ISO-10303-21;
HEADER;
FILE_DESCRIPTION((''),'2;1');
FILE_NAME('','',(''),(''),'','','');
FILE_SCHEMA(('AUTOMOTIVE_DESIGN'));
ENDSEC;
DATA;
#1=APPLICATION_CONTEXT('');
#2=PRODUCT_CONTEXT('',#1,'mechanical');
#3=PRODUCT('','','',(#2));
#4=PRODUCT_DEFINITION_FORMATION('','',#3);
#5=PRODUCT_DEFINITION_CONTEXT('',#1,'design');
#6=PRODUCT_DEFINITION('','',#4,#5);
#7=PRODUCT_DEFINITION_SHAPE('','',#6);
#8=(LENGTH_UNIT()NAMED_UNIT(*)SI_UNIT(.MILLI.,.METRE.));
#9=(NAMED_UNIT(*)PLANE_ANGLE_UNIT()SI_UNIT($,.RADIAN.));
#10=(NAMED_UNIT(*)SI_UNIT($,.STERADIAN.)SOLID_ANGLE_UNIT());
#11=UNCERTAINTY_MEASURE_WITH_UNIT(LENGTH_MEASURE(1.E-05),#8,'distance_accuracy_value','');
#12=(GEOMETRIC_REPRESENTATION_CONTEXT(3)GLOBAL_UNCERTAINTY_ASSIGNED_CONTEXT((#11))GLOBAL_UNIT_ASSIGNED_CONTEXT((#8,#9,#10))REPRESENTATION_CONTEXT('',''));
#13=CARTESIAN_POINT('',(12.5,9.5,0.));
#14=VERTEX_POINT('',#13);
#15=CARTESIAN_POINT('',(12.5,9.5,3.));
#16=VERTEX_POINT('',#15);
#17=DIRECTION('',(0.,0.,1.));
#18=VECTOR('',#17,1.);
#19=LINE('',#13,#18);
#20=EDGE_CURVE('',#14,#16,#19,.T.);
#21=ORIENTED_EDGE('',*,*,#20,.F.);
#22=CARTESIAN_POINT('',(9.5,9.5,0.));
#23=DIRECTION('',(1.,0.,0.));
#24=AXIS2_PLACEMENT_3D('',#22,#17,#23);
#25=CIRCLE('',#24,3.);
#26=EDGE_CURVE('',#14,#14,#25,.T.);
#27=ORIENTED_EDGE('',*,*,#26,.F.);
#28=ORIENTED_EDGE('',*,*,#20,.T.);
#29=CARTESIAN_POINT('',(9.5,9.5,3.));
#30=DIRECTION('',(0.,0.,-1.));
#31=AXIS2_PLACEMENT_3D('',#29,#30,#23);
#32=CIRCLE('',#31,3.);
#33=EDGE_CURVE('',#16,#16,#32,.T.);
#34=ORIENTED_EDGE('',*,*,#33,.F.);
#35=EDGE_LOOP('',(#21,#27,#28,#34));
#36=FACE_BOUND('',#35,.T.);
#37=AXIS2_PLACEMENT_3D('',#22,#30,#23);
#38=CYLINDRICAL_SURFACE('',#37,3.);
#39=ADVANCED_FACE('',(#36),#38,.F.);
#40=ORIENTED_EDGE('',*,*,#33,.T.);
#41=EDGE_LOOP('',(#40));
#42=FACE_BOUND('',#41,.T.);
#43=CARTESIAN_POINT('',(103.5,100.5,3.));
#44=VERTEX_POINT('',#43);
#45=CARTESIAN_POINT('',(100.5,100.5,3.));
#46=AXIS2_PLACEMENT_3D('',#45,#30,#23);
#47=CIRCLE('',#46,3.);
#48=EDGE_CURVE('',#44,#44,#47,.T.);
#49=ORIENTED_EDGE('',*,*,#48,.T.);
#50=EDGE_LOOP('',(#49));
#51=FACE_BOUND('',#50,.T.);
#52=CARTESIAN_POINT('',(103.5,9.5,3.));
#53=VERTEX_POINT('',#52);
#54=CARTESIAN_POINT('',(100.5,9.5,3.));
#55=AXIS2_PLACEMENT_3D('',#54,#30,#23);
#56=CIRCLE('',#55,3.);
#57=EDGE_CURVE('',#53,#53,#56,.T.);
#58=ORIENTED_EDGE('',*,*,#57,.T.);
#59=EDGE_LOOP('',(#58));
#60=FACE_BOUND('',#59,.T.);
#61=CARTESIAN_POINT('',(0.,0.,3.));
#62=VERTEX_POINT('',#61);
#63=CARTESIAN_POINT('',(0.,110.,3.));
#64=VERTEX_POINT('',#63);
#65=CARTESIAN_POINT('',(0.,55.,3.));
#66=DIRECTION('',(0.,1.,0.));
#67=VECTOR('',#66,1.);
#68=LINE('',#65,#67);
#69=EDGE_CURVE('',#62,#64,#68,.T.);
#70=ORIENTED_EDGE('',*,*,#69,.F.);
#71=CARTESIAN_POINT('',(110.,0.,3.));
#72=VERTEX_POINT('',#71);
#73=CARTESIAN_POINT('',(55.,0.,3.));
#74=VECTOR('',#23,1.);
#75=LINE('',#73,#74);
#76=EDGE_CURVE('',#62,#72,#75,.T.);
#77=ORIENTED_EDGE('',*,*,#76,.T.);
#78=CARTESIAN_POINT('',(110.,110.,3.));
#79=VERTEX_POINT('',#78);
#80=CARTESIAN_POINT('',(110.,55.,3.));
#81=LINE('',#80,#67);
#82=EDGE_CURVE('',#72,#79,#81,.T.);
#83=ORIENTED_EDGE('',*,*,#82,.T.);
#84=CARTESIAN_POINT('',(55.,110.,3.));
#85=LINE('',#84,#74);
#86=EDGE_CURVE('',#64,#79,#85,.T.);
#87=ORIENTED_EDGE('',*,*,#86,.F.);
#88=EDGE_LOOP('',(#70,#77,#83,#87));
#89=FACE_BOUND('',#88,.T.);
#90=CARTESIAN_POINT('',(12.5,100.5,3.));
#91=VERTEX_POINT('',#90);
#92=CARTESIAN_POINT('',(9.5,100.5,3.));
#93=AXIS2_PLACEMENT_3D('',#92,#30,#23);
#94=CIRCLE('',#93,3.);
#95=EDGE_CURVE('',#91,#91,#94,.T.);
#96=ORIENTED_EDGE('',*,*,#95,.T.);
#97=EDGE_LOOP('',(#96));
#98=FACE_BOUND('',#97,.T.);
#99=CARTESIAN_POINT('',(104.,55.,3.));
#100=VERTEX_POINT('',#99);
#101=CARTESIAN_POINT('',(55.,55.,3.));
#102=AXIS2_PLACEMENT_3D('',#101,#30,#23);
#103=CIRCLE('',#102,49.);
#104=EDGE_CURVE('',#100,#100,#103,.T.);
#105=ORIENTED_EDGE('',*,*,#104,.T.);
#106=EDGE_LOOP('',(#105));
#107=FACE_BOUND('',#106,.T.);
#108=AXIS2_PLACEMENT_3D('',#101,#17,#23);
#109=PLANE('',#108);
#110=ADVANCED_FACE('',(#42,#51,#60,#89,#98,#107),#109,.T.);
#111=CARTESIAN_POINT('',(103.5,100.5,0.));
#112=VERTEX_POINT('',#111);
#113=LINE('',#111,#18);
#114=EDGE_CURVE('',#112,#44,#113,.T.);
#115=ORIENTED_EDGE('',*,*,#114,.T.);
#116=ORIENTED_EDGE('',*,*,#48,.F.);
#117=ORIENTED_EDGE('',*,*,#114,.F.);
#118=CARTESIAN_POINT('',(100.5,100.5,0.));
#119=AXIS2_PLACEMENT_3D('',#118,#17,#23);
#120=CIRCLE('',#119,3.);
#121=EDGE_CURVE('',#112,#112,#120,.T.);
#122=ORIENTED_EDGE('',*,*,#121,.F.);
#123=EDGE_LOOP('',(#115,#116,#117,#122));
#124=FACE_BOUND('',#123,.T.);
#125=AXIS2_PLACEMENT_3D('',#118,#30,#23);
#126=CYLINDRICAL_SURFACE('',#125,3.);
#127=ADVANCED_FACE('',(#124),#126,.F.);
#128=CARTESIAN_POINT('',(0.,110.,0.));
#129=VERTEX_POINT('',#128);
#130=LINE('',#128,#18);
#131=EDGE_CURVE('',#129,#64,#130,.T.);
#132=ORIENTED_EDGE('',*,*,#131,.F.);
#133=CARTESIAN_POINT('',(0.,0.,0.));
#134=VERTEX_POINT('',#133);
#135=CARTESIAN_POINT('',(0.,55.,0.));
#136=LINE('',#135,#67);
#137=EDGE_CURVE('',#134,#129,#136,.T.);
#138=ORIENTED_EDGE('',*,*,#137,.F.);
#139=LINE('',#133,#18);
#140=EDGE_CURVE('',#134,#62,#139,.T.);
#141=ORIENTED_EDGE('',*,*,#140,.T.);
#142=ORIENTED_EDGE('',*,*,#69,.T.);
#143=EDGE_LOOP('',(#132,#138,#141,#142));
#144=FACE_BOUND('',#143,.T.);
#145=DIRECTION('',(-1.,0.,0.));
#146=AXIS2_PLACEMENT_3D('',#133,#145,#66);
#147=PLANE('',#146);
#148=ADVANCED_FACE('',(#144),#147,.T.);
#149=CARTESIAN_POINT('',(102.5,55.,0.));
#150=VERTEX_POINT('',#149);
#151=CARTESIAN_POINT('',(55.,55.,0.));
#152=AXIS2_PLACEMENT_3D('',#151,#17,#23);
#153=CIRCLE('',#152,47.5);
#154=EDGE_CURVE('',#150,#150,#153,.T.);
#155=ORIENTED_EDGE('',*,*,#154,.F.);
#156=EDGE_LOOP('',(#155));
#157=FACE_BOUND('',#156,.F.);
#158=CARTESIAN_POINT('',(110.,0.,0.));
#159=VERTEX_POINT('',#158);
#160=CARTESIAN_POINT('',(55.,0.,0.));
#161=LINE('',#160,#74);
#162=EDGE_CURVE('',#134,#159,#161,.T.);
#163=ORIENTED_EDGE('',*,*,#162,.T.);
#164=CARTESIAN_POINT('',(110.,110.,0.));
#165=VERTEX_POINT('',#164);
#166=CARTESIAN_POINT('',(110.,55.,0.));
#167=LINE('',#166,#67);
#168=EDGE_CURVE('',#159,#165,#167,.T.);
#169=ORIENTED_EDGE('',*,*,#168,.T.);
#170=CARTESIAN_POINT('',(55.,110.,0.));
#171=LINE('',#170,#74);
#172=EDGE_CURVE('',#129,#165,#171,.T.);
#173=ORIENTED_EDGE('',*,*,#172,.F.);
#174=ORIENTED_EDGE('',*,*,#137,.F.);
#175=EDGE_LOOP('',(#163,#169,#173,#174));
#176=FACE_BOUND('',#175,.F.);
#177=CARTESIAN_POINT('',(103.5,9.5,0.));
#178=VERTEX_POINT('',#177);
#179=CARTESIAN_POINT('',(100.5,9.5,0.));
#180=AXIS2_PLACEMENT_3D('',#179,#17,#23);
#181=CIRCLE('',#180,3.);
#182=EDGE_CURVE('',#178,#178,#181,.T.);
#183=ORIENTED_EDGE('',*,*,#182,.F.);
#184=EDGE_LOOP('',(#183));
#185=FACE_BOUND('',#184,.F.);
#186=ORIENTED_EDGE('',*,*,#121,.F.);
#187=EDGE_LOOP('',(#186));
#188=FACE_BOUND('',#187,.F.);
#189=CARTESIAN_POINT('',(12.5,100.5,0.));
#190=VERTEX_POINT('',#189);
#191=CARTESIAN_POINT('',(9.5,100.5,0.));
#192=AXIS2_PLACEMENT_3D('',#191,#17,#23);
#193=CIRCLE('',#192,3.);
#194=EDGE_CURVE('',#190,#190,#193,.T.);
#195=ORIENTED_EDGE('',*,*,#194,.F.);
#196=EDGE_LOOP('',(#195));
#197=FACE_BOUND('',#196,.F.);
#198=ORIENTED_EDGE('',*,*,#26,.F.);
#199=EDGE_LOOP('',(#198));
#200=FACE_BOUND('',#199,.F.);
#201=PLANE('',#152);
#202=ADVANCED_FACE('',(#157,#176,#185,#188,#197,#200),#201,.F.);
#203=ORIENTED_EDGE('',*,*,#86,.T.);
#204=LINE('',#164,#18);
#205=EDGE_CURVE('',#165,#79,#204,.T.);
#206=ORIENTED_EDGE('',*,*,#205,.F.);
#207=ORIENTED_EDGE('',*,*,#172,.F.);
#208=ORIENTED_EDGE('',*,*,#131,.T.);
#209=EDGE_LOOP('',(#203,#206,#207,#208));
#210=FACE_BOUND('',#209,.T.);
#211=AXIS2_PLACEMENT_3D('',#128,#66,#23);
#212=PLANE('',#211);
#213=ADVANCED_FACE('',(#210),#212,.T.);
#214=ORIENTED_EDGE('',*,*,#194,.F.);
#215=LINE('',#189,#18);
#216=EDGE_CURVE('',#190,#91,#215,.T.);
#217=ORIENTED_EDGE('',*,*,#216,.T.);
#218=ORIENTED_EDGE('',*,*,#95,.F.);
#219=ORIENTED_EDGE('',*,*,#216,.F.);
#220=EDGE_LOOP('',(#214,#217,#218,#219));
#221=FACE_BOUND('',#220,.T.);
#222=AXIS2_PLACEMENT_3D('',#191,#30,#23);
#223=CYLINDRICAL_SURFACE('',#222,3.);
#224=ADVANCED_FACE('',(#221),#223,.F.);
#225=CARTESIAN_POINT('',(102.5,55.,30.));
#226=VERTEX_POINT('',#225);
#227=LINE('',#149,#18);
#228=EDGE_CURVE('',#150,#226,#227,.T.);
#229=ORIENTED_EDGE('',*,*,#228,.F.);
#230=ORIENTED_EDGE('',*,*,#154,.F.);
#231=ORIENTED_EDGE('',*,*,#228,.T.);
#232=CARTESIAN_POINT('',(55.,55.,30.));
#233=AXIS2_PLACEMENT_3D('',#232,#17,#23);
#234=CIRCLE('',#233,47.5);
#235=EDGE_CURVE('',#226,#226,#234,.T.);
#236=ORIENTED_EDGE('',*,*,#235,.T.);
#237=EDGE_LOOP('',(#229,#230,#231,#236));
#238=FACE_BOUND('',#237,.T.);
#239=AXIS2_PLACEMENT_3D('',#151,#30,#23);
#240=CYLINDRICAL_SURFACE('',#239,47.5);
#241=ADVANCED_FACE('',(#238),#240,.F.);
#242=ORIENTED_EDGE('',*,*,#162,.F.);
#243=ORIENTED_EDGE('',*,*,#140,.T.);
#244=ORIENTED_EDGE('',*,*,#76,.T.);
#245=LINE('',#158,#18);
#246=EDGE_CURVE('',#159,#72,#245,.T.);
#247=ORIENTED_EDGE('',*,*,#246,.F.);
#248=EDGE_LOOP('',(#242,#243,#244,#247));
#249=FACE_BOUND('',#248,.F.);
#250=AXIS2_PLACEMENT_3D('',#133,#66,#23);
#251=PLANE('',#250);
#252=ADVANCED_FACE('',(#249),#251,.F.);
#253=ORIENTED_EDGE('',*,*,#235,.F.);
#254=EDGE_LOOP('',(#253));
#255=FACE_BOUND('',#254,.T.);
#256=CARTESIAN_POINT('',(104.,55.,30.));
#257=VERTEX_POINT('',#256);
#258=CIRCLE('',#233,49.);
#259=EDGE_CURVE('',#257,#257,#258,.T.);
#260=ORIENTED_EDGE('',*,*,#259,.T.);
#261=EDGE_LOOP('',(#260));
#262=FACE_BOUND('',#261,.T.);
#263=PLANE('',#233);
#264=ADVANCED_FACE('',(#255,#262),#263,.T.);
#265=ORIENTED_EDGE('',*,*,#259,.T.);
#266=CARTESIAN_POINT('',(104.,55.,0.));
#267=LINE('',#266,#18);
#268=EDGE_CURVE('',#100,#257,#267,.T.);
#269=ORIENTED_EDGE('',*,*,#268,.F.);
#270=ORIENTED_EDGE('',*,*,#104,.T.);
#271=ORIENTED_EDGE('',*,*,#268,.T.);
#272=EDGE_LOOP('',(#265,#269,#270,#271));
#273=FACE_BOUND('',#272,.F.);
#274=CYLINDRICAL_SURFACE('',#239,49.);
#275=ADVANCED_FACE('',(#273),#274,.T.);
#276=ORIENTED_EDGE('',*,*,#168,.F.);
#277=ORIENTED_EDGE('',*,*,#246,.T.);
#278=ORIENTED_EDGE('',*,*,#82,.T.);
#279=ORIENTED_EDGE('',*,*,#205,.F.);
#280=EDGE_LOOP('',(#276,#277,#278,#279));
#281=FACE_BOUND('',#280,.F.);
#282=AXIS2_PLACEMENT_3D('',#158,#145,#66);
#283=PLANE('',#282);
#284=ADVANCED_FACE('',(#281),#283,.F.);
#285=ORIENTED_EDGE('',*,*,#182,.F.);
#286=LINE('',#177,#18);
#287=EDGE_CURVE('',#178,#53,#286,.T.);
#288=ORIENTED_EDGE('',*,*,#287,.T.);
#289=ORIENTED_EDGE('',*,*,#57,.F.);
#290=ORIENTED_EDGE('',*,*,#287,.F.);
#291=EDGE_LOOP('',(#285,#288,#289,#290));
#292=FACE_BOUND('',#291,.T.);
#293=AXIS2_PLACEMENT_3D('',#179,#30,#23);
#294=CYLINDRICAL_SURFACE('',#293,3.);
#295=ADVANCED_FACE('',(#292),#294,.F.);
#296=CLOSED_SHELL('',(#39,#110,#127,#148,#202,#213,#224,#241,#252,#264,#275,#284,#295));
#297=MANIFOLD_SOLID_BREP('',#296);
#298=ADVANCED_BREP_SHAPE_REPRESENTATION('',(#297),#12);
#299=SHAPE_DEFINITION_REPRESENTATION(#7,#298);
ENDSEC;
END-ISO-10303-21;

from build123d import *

# Parameters (mm, degrees)
CYLINDER005_R     = 3
CYLINDER005_DEPTH = 10
CYLINDER004_R     = 3
CYLINDER004_DEPTH = 10
CYLINDER003_R     = 3
CYLINDER003_DEPTH = 10
CYLINDER002_R     = 3
CYLINDER002_DEPTH = 10
CYLINDER001_R     = 47.5
CYLINDER001_DEPTH = 30
BOX_W             = 110
BOX_H             = 110
BOX_DEPTH         = 3
CYLINDER_R        = 49
CYLINDER_DEPTH    = 30


with BuildPart() as cylinder005:
    # Cylinder005 → Cylinder005 (new body)
    with BuildSketch(Plane(origin=(100.5, 9.5, 0), x_dir=(1, 0, 0), z_dir=(0, 0, 1))):
        Circle(CYLINDER005_R)
    extrude(amount=CYLINDER005_DEPTH)


with BuildPart() as cylinder004:
    # Cylinder004 → Cylinder004 (new body)
    with BuildSketch(Plane(origin=(100.5, 100.5, 0), x_dir=(1, 0, 0), z_dir=(0, 0, 1))):
        Circle(CYLINDER004_R)
    extrude(amount=CYLINDER004_DEPTH)


with BuildPart() as cylinder003:
    # Cylinder003 → Cylinder003 (new body)
    with BuildSketch(Plane(origin=(9.5, 100.5, 0), x_dir=(1, 0, 0), z_dir=(0, 0, 1))):
        Circle(CYLINDER003_R)
    extrude(amount=CYLINDER003_DEPTH)


with BuildPart() as cylinder002:
    # Cylinder002 → Cylinder002 (new body)
    with BuildSketch(Plane(origin=(9.5, 9.5, 0), x_dir=(1, 0, 0), z_dir=(0, 0, 1))):
        Circle(CYLINDER002_R)
    extrude(amount=CYLINDER002_DEPTH)


with BuildPart() as cylinder001:
    # Cylinder001 → Cylinder001 (new body)
    with BuildSketch(Plane(origin=(55, 55, 0), x_dir=(1, 0, 0), z_dir=(0, 0, 1))):
        Circle(CYLINDER001_R)
    extrude(amount=CYLINDER001_DEPTH)


with BuildPart() as cut:
    # Box → Box (new body)
    with BuildSketch(Plane.XY):
        with Locations((55, 55)):
            Rectangle(BOX_W, BOX_H)
    extrude(amount=BOX_DEPTH)

    # Cut: cut Cylinder001
    add(cylinder001.part, mode=Mode.SUBTRACT)


with BuildPart() as cut005:
    # Cylinder → Cylinder (new body)
    with BuildSketch(Plane(origin=(55, 55, 0), x_dir=(1, 0, 0), z_dir=(0, 0, 1))):
        Circle(CYLINDER_R)
    extrude(amount=CYLINDER_DEPTH)

    # Cut001: cut Cylinder001
    add(cylinder001.part, mode=Mode.SUBTRACT)

    # Fusion: union Cut
    add(cut.part)

    # Cut002: cut Cylinder002
    add(cylinder002.part, mode=Mode.SUBTRACT)

    # Cut003: cut Cylinder003
    add(cylinder003.part, mode=Mode.SUBTRACT)

    # Cut004: cut Cylinder004
    add(cylinder004.part, mode=Mode.SUBTRACT)

    # Cut005: cut Cylinder005
    add(cylinder005.part, mode=Mode.SUBTRACT)


solid = cut005.part
